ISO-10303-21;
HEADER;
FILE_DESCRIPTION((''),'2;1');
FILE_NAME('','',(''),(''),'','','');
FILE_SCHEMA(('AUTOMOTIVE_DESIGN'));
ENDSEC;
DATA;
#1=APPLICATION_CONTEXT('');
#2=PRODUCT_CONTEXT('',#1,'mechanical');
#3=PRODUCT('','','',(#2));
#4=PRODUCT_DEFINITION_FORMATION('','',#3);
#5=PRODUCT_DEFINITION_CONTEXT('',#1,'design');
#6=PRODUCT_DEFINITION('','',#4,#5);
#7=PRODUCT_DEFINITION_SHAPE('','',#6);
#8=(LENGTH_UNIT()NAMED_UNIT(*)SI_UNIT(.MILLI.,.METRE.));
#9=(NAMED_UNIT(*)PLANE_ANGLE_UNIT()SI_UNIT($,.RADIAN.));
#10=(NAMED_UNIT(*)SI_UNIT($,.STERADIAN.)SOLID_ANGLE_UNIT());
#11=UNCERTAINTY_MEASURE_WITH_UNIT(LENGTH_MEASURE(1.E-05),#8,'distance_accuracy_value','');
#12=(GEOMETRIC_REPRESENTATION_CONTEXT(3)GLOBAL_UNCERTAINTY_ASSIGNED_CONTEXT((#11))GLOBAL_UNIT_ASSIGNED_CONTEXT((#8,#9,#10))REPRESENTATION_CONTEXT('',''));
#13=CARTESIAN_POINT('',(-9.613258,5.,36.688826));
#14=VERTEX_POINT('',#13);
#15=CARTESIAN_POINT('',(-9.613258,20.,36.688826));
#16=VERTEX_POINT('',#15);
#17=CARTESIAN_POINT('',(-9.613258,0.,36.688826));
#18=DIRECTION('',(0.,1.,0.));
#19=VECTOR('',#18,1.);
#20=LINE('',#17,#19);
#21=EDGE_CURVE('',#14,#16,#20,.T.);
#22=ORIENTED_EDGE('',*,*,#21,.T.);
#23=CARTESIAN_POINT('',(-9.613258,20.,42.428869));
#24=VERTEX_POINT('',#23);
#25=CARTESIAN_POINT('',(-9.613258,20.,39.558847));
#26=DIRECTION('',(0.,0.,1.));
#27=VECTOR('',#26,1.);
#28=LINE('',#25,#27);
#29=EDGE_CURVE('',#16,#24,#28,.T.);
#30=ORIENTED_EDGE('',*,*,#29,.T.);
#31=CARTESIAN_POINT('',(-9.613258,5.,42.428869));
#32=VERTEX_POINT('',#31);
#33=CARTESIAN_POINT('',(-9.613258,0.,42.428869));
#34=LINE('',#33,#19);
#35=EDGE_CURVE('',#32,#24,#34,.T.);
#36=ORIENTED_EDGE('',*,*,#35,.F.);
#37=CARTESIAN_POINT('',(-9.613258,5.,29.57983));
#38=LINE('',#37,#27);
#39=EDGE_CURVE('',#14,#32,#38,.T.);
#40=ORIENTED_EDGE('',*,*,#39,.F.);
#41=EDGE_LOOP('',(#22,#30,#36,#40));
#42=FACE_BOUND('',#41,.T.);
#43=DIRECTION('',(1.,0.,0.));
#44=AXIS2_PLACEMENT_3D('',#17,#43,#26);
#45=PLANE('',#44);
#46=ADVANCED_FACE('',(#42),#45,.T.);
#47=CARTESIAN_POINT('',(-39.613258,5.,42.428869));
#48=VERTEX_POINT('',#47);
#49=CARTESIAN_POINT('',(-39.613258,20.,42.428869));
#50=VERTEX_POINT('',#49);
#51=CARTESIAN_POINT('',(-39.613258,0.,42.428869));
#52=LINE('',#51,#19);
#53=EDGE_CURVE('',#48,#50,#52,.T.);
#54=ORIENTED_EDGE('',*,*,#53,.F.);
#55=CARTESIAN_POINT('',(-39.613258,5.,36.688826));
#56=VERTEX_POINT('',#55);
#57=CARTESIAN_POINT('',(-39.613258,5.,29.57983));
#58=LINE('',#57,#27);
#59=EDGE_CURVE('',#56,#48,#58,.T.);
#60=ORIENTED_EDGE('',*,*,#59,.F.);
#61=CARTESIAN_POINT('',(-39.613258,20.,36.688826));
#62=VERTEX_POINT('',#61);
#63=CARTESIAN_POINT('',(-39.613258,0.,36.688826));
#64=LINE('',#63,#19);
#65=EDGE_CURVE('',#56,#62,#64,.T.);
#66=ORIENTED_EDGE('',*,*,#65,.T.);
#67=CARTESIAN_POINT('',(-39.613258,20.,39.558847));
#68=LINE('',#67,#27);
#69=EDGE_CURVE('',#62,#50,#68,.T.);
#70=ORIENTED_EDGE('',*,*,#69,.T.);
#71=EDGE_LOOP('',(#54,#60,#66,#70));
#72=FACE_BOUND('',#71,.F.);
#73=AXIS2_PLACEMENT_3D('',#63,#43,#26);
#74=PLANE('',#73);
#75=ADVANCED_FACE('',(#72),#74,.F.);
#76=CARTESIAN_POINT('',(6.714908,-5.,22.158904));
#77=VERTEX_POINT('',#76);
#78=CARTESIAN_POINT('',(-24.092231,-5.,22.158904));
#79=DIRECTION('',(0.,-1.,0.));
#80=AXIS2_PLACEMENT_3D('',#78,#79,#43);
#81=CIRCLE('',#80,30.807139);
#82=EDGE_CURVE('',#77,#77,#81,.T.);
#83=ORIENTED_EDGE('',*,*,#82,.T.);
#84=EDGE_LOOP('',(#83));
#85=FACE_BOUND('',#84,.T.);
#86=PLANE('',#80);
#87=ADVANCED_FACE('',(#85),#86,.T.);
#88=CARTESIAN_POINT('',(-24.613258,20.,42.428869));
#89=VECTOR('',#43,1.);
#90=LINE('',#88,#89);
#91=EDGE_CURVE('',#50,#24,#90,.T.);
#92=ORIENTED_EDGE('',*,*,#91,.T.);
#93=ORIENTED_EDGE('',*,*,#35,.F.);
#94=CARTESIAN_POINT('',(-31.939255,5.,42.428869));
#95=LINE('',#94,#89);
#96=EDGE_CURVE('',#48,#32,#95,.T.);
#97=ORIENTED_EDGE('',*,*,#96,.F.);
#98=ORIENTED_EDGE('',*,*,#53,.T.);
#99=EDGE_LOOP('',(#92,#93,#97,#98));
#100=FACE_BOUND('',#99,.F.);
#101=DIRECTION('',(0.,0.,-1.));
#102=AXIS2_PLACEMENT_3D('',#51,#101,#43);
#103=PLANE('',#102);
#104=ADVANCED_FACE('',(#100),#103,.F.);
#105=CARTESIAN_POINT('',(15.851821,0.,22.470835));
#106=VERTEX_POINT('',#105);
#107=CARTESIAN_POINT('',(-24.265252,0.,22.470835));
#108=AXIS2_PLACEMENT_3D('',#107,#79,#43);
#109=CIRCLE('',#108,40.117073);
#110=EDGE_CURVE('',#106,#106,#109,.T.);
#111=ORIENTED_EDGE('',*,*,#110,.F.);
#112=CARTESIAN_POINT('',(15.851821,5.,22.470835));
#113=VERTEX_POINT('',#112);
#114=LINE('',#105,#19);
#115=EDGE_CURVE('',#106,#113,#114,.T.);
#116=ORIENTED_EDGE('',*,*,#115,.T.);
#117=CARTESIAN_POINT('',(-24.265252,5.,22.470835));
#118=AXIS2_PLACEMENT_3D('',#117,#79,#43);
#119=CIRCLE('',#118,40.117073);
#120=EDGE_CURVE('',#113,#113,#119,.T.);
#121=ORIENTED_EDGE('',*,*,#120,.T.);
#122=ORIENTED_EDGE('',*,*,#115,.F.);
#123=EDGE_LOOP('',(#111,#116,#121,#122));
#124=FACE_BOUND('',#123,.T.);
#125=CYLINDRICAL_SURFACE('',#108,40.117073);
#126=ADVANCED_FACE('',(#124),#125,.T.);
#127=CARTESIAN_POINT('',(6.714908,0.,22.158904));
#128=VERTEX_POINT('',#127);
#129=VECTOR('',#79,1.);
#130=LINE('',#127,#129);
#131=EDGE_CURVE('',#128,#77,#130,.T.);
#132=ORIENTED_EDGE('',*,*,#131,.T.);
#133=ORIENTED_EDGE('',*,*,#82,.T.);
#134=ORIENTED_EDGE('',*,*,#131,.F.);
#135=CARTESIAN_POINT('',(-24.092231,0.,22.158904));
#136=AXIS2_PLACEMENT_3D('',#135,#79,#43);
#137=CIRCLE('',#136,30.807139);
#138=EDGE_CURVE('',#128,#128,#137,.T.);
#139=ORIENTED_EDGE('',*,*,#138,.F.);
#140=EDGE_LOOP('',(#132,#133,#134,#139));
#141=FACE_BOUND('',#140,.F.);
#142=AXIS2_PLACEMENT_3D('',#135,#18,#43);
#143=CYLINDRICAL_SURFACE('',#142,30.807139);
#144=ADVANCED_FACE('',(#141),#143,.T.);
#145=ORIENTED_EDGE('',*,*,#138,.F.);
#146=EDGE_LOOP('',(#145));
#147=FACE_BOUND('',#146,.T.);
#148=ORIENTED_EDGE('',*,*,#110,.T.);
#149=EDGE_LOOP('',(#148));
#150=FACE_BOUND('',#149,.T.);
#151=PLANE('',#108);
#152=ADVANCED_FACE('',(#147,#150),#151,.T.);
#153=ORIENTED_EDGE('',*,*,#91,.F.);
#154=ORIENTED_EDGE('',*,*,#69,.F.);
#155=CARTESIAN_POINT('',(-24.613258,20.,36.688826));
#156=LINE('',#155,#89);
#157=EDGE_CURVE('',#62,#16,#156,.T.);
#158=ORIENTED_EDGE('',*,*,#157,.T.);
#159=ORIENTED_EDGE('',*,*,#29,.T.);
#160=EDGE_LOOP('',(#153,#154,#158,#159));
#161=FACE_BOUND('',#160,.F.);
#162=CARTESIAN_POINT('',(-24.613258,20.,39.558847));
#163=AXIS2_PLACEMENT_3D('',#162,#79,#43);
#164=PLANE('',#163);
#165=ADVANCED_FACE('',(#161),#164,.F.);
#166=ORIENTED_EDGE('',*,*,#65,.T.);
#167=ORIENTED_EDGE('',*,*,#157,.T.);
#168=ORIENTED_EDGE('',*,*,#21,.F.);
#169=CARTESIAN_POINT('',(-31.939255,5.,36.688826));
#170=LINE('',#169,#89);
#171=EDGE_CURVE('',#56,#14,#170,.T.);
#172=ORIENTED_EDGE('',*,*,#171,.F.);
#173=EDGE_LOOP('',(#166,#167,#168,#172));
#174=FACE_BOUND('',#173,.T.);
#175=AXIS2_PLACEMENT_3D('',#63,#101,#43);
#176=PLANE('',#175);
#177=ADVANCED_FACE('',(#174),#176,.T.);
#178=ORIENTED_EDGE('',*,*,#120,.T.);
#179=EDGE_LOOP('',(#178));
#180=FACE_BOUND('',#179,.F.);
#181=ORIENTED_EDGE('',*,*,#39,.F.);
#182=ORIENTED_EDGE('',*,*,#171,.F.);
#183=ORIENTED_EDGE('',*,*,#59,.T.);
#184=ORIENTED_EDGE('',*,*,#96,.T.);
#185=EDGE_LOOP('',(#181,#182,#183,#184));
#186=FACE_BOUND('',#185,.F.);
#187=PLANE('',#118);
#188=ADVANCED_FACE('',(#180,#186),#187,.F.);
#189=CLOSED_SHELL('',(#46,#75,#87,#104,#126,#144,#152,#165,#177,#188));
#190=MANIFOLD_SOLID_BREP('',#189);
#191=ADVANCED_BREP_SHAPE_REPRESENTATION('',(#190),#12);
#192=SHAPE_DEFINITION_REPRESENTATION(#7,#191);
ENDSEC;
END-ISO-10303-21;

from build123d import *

# Parameters (mm, degrees)
F0_R     = 30.807139
F1_DEPTH = 5
F2_R     = 40.117073
F3_DEPTH = 5
F4_W     = 30
F4_H     = 5.740043
F5_DEPTH = 20


with BuildPart() as f1:
    # F0 (on Front) → F1 (new body)
    with BuildSketch(Plane.XZ):
        with Locations((-24.092231, 22.158904)):
            Circle(F0_R)
    extrude(amount=F1_DEPTH)

    # F2 (on Front) → F3 (join)
    with BuildSketch(Plane.XZ):
        with Locations((-24.265252, 22.470835)):
            Circle(F2_R)
    extrude(amount=-F3_DEPTH)

    # F4 (on Front) → F5 (join)
    with BuildSketch(Plane.XZ):
        with Locations((-24.613258, 39.558847)):
            Rectangle(F4_W, F4_H)
    extrude(amount=-F5_DEPTH)


solid = f1.part
